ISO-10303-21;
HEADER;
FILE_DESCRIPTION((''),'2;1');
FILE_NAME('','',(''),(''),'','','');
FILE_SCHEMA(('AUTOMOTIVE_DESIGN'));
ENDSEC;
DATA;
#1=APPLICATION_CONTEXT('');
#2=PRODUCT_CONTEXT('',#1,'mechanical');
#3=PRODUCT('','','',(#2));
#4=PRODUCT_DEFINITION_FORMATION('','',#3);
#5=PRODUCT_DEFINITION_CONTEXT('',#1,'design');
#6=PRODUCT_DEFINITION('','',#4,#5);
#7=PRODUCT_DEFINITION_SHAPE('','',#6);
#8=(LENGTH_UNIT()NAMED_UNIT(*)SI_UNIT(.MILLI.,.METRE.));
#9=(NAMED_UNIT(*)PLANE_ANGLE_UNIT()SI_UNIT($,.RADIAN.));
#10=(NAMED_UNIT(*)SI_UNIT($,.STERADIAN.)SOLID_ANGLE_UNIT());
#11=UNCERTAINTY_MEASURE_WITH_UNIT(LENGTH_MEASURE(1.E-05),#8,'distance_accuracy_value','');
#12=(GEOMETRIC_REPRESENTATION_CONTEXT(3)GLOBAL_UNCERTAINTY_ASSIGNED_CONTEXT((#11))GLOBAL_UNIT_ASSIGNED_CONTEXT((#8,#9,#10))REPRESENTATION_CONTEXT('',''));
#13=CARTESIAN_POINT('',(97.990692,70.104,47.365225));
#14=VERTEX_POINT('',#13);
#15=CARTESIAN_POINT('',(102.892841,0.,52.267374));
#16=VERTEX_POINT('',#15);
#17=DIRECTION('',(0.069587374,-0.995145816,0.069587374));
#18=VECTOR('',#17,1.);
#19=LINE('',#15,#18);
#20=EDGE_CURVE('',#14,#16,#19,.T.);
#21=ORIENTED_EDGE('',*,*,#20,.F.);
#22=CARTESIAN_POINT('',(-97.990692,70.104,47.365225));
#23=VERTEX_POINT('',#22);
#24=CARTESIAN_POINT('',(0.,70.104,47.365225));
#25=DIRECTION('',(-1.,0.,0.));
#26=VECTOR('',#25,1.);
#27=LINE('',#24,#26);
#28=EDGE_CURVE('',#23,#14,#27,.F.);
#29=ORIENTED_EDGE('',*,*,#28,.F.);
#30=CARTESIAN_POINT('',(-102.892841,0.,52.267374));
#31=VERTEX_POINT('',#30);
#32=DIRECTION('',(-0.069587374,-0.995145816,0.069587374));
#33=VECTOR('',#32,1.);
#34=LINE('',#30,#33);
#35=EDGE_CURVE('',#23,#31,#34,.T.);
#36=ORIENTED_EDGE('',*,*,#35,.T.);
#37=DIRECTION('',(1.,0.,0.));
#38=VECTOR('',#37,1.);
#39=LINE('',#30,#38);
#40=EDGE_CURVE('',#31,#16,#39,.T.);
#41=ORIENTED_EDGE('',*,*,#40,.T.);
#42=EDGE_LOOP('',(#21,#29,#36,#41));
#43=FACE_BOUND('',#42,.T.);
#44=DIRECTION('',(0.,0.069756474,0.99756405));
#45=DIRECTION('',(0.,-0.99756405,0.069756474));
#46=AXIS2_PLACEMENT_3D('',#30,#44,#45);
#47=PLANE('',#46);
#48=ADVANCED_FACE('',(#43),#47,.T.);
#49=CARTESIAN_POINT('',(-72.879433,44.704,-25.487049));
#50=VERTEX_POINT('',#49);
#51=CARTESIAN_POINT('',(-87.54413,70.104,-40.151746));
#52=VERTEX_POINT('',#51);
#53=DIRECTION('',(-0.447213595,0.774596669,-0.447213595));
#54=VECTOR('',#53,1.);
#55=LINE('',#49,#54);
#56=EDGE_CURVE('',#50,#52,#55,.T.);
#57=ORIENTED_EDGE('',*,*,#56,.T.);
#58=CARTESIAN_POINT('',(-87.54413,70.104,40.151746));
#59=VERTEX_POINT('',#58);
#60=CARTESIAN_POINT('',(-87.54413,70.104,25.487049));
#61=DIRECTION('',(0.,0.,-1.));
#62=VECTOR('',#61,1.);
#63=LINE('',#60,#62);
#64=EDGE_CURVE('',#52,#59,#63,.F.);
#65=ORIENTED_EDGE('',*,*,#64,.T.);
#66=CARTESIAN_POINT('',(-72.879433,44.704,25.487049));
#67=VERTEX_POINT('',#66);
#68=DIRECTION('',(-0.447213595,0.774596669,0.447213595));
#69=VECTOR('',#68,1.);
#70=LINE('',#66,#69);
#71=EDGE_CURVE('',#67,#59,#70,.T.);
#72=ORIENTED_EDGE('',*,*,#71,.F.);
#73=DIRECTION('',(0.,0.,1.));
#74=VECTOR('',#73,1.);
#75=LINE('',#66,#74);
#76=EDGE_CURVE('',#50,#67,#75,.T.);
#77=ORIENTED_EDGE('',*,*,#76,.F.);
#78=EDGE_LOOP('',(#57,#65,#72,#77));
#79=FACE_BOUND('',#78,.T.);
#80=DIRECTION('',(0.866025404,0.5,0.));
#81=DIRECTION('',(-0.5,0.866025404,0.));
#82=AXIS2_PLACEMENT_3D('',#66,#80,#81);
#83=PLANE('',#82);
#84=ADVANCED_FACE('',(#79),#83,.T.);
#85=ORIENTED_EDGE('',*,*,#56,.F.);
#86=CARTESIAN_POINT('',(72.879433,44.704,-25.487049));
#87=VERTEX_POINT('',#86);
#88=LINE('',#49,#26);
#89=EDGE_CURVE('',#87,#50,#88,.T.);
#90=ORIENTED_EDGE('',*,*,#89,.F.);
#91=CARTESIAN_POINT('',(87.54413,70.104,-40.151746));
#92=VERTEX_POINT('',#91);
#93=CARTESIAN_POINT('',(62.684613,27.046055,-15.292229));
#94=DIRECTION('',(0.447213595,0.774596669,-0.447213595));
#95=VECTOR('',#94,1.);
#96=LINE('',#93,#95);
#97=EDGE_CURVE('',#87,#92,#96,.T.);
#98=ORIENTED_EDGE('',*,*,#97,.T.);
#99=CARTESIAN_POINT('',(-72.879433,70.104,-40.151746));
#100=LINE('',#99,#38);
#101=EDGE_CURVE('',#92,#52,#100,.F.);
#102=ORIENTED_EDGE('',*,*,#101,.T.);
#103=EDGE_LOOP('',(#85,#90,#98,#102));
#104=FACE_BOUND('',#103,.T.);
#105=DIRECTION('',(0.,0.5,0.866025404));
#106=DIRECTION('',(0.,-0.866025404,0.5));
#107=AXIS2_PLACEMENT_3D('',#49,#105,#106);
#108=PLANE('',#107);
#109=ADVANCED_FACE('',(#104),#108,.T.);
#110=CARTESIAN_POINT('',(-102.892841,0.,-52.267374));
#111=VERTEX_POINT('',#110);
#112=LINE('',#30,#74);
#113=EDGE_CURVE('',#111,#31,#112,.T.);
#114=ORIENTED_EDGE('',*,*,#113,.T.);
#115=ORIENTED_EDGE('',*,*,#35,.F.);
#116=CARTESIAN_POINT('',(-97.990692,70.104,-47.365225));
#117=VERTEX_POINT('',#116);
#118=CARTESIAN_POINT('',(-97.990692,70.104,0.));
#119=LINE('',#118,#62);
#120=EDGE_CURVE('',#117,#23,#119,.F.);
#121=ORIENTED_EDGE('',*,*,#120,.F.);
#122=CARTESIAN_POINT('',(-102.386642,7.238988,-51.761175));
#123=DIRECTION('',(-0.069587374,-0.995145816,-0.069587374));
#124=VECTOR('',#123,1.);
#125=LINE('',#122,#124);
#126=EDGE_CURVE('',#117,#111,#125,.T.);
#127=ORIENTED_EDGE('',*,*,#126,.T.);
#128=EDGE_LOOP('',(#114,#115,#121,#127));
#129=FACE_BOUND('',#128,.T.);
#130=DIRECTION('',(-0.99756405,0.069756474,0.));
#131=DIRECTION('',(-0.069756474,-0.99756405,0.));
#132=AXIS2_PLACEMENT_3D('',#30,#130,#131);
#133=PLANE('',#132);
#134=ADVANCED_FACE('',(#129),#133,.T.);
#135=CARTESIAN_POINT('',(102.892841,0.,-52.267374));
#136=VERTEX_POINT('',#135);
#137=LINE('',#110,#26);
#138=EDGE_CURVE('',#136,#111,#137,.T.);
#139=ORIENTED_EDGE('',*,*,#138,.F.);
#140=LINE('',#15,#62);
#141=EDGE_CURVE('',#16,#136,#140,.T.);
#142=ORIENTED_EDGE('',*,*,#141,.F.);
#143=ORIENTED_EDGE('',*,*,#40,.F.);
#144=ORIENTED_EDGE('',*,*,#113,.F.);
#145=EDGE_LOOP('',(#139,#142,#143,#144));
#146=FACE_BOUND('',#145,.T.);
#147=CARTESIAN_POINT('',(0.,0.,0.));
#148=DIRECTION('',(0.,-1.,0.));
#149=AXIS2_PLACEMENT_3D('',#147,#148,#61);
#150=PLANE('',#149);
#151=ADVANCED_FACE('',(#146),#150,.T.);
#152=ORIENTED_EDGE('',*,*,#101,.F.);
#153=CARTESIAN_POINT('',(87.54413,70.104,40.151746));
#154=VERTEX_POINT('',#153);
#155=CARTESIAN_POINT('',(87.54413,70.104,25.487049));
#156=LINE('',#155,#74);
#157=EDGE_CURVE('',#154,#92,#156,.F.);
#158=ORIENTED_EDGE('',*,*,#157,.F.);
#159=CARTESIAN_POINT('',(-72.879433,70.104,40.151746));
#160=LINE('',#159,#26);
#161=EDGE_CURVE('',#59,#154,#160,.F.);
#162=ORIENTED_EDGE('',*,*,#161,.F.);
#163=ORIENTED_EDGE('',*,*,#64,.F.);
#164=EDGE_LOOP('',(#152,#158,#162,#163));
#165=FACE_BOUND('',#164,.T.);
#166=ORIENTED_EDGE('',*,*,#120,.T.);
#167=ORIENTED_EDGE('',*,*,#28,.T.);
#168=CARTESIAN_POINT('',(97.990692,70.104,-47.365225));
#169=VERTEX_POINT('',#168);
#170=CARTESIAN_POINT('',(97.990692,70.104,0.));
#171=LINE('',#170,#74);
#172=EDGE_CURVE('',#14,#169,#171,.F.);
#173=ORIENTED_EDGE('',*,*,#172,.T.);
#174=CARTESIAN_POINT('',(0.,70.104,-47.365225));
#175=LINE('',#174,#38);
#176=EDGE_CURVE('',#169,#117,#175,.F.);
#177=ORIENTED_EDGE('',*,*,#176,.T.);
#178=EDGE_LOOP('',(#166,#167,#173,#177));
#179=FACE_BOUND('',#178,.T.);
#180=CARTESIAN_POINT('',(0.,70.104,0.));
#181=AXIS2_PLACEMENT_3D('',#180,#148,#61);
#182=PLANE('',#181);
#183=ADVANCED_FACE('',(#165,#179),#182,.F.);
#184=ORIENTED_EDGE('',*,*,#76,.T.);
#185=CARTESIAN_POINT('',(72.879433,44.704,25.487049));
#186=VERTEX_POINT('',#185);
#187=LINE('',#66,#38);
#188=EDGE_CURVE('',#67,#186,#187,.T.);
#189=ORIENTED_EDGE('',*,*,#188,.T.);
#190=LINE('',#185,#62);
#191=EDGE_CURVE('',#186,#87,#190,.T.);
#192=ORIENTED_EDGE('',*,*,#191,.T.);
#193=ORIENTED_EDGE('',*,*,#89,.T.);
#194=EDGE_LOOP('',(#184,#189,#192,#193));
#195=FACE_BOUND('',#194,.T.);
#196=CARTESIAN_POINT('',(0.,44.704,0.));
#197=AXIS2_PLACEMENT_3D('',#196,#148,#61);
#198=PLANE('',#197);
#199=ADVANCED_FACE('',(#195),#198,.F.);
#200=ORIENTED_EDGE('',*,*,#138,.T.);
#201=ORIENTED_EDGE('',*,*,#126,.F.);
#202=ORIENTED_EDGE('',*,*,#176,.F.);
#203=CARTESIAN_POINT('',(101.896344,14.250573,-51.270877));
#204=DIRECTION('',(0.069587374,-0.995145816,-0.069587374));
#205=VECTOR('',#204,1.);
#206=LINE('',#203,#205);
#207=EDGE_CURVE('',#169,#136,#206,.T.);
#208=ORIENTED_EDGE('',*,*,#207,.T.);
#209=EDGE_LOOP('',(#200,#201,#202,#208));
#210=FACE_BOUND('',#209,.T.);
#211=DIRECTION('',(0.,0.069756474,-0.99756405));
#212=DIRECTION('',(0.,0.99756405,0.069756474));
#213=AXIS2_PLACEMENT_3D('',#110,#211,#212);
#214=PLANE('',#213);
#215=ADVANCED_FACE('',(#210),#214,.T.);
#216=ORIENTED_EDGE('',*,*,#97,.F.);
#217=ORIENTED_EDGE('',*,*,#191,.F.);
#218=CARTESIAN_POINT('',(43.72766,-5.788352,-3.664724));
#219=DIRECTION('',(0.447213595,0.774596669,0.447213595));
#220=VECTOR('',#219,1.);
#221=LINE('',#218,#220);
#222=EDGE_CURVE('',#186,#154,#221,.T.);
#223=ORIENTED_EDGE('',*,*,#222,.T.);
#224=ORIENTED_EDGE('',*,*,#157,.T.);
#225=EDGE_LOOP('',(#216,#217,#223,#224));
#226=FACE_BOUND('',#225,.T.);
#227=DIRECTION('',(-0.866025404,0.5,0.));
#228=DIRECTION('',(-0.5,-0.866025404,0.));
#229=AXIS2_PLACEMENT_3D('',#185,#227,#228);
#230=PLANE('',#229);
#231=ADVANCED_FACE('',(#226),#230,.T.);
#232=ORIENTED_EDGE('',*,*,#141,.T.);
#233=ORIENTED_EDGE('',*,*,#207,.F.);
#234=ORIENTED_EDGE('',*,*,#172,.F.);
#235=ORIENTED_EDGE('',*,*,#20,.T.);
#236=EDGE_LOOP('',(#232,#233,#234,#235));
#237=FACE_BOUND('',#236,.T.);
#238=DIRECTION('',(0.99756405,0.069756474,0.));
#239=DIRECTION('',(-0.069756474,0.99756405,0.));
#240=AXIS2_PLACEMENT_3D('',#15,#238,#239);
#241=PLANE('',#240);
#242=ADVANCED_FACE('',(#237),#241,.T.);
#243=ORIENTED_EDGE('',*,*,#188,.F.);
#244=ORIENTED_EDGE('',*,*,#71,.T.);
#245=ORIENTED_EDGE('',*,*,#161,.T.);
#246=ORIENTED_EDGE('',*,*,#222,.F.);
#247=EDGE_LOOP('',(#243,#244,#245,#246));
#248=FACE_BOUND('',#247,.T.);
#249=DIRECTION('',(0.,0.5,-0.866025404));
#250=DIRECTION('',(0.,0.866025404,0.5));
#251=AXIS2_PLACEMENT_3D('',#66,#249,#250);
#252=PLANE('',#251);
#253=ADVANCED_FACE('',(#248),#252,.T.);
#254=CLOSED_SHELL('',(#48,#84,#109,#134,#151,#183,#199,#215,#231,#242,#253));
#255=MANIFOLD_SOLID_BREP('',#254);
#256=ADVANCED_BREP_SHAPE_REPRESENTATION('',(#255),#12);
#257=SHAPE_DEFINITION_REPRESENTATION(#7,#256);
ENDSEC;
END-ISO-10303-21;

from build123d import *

# Parameters (mm, degrees)
SKETCH1_W           = 205.785682804
SKETCH1_H           = 104.534748446
BOSS_EXTRUDE1_DEPTH = 70.104
BOSS_EXTRUDE1_TAPER = 4
SKETCH2_W           = 145.758865666
SKETCH2_H           = 50.974097726
CUT_EXTRUDE1_DEPTH  = 25.4
DRAFT1_ANGLE        = 30


with BuildPart() as part:
    # Sketch1 → Boss-Extrude1 (new body)
    with BuildSketch(Plane(origin=(0, 0, 0), x_dir=(1, 0, 0), z_dir=(0, 1, 0))):
        Rectangle(SKETCH1_W, SKETCH1_H)
    extrude(amount=BOSS_EXTRUDE1_DEPTH, taper=BOSS_EXTRUDE1_TAPER)

    # Sketch2 → Cut-Extrude1 (cut)
    with BuildSketch(Plane(origin=(0, 70.104, 0), x_dir=(1, 0, 0), z_dir=(0, 1, 0))):
        Rectangle(SKETCH2_W, SKETCH2_H)
    extrude(amount=-CUT_EXTRUDE1_DEPTH, mode=Mode.SUBTRACT)

    # Draft1
    draft1_faces = [part.faces().sort_by_distance(p)[0] for p in [
        (0, 57.404, 25.487048863),
        (72.879432833, 57.404, 0),
        (0, 57.404, -25.487048863),
        (-72.879432833, 57.404, 0),
    ]]
    draft(draft1_faces, Plane.ZX.offset(44.704), DRAFT1_ANGLE)


solid = part.part
